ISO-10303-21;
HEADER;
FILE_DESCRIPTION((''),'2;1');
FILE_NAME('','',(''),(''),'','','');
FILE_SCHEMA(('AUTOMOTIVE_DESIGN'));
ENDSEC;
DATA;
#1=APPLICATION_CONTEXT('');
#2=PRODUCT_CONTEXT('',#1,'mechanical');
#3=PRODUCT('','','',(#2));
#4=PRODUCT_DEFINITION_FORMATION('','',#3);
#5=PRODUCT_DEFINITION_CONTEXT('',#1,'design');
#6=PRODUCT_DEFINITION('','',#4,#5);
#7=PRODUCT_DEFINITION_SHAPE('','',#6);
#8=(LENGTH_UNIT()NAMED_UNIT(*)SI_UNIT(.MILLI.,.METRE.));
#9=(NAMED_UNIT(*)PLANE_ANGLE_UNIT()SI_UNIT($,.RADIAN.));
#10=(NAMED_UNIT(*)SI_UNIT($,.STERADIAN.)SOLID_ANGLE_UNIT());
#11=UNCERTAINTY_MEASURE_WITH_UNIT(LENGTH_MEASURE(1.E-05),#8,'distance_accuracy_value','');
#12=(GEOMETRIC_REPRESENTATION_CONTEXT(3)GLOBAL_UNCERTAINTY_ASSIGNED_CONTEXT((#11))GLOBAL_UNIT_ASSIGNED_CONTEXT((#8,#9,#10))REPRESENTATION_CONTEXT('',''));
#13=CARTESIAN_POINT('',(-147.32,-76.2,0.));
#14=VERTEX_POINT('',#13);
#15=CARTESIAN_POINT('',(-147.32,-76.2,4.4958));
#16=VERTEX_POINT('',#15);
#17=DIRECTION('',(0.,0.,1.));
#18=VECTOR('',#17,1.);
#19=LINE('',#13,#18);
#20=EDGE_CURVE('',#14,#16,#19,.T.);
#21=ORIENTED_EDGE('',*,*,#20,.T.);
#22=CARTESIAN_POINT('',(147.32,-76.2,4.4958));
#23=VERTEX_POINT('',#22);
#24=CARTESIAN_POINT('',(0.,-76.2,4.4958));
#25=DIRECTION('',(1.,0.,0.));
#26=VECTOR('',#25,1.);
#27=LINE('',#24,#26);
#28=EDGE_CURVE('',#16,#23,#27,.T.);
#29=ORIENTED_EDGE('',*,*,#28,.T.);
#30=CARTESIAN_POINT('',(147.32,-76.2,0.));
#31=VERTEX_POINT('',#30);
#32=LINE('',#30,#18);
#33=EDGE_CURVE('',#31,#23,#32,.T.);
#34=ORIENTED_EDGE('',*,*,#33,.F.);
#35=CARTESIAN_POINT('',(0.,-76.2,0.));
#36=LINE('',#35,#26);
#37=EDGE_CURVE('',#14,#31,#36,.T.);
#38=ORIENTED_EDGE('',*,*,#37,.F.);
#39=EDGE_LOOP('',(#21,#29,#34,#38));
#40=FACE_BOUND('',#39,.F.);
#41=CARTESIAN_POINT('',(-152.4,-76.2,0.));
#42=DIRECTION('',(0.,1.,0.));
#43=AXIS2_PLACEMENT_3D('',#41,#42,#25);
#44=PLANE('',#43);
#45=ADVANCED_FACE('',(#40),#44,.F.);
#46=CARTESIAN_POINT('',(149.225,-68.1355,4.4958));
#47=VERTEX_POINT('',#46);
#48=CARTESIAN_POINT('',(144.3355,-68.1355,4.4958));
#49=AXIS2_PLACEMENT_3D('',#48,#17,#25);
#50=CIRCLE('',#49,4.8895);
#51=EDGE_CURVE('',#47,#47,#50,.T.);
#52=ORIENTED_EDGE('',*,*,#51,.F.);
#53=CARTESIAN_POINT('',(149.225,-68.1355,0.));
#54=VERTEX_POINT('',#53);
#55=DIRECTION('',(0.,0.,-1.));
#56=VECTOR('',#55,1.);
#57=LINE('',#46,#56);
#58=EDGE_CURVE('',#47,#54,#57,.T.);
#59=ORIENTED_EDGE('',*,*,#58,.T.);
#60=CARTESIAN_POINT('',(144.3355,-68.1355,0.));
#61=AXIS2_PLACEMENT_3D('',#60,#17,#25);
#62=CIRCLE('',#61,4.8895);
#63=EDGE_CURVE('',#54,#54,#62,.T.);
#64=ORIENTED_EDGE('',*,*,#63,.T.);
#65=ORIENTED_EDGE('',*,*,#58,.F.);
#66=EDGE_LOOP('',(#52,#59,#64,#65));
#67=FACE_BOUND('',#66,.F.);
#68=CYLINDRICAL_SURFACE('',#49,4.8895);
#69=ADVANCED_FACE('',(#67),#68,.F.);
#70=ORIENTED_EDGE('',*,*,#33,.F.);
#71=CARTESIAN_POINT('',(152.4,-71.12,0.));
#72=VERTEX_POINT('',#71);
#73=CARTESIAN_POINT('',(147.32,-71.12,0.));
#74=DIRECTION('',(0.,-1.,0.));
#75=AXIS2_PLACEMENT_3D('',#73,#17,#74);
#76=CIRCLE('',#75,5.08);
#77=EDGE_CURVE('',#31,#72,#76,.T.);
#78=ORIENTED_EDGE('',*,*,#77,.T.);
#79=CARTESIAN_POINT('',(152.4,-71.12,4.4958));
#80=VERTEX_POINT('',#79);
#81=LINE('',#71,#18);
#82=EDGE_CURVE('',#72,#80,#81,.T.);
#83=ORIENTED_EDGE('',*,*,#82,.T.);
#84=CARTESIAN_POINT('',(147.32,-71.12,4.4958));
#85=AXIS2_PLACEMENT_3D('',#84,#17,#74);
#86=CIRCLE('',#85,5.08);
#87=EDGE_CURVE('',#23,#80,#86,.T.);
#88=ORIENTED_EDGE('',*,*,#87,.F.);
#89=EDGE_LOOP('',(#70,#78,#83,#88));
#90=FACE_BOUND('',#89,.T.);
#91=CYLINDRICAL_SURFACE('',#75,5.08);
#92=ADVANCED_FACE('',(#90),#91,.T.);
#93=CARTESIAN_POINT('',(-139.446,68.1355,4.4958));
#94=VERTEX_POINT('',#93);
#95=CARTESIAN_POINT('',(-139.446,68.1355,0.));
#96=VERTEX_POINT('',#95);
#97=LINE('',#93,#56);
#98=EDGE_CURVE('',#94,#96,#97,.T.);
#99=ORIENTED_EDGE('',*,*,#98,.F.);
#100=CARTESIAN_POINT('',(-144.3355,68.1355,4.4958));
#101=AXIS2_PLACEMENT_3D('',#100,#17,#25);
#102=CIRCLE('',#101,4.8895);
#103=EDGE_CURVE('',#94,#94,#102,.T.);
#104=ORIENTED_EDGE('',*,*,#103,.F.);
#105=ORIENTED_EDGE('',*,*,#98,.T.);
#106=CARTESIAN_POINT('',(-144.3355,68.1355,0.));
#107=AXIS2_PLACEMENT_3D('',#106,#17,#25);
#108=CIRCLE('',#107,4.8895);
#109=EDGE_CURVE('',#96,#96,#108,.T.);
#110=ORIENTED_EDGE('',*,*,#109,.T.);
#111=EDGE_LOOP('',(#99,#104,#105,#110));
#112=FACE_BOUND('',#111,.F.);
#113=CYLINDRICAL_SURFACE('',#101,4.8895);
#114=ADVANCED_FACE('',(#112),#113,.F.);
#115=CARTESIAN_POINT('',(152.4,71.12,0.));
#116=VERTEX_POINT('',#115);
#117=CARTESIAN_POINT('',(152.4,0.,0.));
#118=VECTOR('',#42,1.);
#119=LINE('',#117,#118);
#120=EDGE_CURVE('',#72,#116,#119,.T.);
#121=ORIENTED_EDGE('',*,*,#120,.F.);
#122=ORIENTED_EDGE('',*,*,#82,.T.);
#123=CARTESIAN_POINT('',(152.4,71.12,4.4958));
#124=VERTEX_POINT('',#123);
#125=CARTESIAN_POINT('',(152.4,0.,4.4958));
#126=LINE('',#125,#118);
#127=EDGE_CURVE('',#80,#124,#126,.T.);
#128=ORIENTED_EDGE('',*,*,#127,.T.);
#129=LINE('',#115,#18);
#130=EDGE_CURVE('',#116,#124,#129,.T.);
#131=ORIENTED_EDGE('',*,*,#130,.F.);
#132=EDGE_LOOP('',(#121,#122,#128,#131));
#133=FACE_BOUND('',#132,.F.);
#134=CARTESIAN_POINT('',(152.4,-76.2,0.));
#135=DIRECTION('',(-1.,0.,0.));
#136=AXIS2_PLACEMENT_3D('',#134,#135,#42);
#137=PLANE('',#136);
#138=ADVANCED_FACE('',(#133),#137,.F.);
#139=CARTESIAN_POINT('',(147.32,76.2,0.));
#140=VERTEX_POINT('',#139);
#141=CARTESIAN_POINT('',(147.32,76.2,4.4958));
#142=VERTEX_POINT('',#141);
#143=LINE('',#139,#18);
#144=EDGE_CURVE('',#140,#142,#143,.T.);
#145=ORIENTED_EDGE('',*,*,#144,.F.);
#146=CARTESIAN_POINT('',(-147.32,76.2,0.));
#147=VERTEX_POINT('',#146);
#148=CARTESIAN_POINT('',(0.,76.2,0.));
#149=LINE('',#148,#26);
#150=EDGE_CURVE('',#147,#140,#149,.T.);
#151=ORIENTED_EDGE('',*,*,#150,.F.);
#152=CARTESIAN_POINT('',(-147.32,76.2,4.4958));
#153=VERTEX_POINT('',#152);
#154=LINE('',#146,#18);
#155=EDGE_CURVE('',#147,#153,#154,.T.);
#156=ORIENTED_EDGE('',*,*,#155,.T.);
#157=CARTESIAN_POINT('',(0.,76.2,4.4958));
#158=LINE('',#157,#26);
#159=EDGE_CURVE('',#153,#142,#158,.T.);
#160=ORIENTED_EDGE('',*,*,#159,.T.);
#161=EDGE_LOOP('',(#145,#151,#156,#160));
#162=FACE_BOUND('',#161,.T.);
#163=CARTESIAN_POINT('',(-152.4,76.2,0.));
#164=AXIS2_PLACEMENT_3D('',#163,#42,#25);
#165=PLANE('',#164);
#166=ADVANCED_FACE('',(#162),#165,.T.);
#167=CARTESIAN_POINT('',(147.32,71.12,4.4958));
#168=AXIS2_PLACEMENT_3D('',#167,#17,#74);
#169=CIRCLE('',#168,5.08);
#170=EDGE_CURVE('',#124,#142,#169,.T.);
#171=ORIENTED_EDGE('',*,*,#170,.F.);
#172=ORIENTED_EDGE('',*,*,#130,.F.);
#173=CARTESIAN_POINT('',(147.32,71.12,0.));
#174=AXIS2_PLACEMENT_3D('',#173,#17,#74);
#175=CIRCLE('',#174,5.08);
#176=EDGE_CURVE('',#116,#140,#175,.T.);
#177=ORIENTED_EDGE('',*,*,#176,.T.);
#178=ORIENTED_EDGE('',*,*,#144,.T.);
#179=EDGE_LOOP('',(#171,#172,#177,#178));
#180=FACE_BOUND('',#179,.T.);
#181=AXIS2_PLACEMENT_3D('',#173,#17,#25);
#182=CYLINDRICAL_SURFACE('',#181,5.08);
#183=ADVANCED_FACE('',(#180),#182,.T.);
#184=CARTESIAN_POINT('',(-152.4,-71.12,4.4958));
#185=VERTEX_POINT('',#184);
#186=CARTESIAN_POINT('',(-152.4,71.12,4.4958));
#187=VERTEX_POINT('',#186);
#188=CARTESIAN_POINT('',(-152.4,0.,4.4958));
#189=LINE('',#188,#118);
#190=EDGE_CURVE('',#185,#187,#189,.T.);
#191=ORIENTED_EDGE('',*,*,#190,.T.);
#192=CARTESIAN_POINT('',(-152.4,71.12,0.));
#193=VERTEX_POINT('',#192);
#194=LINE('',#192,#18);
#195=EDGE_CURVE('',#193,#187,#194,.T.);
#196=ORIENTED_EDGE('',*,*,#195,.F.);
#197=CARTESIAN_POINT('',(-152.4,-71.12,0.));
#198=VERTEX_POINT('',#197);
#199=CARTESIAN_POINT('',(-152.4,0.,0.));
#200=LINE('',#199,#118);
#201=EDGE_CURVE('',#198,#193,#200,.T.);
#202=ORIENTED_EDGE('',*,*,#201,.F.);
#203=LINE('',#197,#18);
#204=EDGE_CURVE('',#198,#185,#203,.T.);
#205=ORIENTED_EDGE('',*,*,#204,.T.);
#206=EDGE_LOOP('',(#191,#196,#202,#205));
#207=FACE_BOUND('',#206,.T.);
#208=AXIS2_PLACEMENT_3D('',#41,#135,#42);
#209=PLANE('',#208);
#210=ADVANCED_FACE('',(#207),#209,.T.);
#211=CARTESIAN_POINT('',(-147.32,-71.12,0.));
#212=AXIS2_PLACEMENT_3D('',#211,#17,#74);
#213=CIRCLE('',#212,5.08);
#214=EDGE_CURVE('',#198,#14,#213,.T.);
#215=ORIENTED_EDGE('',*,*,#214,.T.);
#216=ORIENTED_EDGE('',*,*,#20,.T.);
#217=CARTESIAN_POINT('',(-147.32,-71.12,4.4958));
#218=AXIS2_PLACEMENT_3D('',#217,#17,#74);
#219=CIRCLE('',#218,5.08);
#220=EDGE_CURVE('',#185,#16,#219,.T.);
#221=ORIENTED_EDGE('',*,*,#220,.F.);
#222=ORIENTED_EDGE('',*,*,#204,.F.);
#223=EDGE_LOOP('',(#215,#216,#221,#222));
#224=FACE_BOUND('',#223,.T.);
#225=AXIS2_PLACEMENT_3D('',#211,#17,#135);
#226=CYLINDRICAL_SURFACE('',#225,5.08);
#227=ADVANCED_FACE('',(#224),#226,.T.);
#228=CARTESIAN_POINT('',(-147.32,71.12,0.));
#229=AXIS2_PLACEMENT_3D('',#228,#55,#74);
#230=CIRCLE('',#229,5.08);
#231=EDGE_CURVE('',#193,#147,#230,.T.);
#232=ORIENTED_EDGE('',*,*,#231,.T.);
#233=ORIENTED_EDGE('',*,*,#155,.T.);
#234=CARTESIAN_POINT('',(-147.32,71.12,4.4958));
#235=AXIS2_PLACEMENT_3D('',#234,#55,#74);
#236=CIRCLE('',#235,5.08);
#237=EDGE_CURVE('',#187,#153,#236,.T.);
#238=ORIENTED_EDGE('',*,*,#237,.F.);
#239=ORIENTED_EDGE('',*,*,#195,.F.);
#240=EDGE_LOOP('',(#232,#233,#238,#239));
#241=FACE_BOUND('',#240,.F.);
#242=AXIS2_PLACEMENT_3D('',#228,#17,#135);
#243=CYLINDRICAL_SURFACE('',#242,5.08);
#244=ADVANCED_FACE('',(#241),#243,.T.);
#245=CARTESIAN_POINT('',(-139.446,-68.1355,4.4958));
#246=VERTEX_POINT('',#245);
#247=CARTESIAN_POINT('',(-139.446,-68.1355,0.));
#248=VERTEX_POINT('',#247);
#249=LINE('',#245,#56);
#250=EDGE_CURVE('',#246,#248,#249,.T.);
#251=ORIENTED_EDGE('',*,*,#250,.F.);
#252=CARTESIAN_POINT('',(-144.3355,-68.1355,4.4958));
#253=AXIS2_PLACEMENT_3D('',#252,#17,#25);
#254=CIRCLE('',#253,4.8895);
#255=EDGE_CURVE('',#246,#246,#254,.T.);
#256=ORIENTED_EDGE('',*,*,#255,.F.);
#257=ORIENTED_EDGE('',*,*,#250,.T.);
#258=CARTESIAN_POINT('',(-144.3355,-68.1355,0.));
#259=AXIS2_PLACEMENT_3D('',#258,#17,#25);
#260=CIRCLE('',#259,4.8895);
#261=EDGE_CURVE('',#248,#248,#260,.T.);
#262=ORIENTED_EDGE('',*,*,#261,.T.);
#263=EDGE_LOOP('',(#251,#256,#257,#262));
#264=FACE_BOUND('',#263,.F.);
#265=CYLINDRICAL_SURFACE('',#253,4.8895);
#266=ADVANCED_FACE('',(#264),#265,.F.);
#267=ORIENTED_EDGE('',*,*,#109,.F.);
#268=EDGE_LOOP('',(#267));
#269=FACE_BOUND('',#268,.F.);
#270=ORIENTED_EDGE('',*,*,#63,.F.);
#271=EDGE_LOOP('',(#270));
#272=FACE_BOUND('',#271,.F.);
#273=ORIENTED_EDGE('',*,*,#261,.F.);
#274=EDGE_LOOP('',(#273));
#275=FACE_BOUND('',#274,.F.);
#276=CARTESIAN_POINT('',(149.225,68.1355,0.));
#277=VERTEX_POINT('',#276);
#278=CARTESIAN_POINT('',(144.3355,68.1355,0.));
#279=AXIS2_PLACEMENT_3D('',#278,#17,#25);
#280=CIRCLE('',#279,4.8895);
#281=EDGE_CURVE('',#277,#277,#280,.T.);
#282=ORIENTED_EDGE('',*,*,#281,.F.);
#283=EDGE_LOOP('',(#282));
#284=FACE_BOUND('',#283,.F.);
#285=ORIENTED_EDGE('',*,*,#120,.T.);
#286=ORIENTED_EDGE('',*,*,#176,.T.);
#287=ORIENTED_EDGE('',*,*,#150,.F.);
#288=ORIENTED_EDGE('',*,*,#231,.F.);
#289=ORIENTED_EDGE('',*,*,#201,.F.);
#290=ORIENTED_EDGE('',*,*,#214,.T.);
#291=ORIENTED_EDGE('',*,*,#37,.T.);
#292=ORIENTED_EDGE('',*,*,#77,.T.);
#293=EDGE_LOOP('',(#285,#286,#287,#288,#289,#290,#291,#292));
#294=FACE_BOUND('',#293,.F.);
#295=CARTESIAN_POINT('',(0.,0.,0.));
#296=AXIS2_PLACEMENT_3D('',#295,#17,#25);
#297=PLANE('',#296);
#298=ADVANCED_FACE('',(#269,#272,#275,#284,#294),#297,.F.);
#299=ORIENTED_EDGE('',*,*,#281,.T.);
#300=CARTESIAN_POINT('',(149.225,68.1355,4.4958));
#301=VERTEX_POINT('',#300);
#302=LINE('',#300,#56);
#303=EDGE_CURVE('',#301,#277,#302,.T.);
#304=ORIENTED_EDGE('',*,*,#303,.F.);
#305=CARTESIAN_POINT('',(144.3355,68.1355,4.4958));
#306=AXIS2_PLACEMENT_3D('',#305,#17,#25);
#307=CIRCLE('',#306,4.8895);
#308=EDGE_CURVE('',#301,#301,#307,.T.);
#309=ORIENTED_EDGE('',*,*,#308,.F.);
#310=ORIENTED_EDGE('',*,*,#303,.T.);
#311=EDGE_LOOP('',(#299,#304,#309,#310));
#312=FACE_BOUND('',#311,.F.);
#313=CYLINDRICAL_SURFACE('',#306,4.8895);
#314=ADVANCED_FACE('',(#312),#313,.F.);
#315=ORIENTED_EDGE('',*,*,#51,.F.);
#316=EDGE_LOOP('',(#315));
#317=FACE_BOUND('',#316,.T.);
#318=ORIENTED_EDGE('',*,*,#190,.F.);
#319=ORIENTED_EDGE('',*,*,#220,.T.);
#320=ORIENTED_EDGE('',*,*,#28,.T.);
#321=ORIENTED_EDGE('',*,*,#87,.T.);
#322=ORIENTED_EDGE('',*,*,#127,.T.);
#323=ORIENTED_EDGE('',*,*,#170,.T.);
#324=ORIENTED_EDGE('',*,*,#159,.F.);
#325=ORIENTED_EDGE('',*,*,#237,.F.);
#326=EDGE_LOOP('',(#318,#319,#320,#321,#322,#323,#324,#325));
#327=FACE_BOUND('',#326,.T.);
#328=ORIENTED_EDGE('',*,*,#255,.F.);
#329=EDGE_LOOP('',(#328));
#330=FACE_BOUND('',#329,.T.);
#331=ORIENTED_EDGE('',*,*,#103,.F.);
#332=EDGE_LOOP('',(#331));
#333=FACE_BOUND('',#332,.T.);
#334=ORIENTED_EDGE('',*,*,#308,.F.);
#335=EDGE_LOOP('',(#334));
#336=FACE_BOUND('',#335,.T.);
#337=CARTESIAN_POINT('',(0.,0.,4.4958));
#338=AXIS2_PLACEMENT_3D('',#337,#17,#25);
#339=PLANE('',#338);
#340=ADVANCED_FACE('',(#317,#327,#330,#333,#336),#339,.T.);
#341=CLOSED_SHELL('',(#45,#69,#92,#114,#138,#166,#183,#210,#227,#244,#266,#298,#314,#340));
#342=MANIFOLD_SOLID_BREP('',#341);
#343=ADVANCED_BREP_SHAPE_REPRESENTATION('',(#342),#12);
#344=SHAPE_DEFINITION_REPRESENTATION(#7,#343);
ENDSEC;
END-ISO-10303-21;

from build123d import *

# Parameters (mm, degrees)
F0_W     = 304.8
F0_H     = 152.4
F1_DEPTH = 4.4958
F2_R     = 5.08
F3_R     = 4.8895
F4_DEPTH = 4.4968


with BuildPart() as f1:
    # F0 (on Top) → F1 (new body)
    with BuildSketch(Plane.XY):
        Rectangle(F0_W, F0_H)
    extrude(amount=F1_DEPTH)

    # F2
    f2_edges = [f1.edges().sort_by_distance(p)[0] for p in [
        (-152.4, 76.2, 2.2479),
        (-152.4, -76.2, 2.2479),
        (152.4, -76.2, 2.2479),
        (152.4, 76.2, 2.2479),
    ]]
    fillet(f2_edges, radius=F2_R)

    # F3 (on face) → F4 (cut, through all)
    with BuildSketch(Plane.XY.offset(4.4958)):
        with Locations((-144.3355, 68.1355)):
            Circle(F3_R)
        with Locations((144.3355, 68.1355)):
            Circle(F3_R)
        with Locations((144.3355, -68.1355)):
            Circle(F3_R)
        with Locations((-144.3355, -68.1355)):
            Circle(F3_R)
    extrude(amount=-F4_DEPTH, mode=Mode.SUBTRACT)


solid = f1.part
